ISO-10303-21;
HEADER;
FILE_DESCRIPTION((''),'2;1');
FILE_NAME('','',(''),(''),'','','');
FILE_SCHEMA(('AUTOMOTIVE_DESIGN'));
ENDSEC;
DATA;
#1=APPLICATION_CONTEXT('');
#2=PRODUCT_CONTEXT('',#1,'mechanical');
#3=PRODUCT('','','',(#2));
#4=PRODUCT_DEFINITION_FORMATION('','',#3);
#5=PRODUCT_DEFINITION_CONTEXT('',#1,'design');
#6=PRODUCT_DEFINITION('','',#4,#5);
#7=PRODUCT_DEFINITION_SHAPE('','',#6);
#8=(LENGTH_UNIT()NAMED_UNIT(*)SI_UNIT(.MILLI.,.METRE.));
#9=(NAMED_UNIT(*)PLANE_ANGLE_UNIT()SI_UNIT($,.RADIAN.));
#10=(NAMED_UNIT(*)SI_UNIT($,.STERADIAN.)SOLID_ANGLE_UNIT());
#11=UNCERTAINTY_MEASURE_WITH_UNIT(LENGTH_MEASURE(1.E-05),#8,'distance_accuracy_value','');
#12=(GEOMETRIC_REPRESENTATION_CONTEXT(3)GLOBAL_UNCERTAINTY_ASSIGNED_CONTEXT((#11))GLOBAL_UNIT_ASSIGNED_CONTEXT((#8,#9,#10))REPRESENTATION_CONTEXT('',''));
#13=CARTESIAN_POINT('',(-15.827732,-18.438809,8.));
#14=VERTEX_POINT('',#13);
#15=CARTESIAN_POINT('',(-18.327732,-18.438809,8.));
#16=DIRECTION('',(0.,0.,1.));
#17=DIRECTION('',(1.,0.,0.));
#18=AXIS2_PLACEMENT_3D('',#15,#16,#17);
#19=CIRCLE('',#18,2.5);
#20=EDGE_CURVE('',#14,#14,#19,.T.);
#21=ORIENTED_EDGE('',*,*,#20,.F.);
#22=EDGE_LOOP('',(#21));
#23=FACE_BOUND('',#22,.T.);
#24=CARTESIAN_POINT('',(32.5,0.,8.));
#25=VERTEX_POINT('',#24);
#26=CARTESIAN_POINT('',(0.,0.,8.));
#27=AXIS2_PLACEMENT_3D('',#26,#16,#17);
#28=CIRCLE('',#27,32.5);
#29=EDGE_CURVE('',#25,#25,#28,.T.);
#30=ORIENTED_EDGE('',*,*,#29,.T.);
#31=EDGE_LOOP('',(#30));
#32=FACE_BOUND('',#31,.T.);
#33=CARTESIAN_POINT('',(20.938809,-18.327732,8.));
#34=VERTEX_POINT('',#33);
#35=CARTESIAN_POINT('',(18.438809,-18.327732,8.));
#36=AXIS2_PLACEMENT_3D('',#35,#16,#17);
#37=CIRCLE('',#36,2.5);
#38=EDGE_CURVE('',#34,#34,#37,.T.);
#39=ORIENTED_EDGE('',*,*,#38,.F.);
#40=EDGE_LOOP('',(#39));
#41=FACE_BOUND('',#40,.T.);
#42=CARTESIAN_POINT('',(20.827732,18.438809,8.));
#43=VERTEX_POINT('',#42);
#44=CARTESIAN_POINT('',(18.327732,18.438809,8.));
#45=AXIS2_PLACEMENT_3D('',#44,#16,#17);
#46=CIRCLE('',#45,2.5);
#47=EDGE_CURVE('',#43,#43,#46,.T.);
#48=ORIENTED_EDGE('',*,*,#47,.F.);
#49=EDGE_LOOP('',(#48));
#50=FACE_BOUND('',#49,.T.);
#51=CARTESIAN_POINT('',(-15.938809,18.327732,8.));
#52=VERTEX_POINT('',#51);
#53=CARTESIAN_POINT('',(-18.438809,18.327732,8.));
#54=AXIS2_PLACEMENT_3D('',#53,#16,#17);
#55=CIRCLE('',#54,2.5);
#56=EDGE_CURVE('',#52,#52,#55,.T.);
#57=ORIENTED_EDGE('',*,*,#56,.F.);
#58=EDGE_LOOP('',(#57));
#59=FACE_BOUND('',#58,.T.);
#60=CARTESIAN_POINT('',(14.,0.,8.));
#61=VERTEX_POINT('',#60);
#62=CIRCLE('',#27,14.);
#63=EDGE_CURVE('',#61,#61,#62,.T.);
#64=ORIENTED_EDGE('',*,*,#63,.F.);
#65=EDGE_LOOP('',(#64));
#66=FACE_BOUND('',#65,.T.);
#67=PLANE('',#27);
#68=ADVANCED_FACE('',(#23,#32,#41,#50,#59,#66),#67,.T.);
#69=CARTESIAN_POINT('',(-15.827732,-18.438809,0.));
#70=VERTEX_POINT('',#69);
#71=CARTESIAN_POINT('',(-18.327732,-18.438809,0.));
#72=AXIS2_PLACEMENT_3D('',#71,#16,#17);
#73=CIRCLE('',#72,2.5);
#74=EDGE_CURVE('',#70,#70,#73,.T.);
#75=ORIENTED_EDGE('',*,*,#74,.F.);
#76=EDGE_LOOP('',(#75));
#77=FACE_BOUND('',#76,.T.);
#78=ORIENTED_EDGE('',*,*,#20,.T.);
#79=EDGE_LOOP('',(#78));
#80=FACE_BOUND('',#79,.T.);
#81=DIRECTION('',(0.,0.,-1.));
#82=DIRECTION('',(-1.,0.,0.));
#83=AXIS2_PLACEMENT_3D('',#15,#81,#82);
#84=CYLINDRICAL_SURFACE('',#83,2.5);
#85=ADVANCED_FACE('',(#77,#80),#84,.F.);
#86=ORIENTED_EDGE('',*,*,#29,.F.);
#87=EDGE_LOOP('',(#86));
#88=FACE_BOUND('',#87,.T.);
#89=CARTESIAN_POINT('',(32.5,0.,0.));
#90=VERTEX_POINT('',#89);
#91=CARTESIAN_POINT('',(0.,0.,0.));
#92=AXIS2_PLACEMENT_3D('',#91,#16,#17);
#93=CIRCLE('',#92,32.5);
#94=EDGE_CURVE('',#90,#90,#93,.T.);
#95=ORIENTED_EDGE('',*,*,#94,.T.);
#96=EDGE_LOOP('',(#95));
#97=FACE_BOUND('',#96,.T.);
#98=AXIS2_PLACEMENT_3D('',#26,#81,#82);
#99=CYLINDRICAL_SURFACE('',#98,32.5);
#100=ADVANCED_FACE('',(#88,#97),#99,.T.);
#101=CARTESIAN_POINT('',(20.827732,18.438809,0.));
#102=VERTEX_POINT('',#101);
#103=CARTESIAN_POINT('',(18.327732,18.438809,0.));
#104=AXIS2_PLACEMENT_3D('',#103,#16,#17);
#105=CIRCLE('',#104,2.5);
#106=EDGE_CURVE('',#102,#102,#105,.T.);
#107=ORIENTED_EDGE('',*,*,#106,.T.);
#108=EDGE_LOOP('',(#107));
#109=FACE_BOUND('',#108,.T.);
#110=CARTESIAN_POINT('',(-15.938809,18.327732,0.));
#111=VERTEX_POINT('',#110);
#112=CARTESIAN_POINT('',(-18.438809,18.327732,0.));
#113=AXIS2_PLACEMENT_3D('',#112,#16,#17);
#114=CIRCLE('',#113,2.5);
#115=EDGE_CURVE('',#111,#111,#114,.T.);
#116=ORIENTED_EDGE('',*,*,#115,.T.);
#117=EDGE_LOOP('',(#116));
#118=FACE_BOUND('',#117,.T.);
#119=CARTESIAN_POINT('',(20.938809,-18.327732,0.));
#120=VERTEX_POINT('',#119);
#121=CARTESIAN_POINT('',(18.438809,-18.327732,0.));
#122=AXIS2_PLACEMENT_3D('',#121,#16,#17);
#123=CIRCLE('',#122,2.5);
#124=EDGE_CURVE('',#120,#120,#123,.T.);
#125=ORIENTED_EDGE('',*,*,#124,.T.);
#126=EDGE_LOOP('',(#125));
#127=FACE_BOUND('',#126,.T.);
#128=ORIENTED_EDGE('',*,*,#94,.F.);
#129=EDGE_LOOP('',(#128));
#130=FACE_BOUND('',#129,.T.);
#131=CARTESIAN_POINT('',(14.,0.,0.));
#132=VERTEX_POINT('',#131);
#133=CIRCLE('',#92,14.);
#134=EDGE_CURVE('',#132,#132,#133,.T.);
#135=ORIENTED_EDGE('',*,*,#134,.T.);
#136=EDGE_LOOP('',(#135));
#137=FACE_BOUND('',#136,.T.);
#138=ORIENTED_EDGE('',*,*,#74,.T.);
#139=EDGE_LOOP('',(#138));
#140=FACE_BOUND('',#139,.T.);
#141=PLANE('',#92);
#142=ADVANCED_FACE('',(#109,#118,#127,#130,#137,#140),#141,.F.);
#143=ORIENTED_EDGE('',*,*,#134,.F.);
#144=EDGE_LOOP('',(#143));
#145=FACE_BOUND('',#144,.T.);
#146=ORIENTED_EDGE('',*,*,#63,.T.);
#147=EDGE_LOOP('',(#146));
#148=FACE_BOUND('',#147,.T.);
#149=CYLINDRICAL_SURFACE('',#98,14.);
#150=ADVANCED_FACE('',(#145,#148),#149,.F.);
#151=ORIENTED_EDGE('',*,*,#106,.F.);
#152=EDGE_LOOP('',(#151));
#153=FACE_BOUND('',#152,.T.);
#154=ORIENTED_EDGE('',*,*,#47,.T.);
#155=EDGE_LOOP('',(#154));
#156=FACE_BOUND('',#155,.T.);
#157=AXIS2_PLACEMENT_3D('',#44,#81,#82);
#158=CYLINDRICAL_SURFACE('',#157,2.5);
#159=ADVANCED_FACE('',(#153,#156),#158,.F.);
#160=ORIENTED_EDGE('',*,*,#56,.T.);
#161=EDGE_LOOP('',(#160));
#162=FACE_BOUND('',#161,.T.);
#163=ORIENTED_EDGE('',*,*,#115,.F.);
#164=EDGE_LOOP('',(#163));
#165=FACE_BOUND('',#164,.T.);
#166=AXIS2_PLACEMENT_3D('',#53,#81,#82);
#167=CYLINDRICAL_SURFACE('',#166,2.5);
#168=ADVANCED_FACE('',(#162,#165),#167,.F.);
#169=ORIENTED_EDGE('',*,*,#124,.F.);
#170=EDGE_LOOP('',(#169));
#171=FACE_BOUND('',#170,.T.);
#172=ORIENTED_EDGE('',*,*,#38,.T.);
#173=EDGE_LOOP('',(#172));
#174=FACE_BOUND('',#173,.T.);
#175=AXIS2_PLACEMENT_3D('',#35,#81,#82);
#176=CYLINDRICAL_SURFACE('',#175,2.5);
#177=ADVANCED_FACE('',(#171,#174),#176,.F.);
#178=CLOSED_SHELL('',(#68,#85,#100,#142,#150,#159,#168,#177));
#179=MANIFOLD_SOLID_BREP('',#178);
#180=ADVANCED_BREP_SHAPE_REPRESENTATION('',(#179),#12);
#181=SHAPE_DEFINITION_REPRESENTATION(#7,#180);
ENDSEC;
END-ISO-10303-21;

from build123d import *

# Parameters (mm, degrees)
SKETCH_2_R      = 32.5
SKETCH_2_R_2    = 2.5
SKETCH_2_R_3    = 14
EXTRUDE_2_DEPTH = 8


with BuildPart() as part:
    # Эскиз2 → Вытянуть2 (new body)
    with BuildSketch(Plane.XY):
        Circle(SKETCH_2_R)
        with Locations((-18.438809137, 18.327731563)):
            Circle(SKETCH_2_R_2, mode=Mode.SUBTRACT)
        with Locations((-18.327731563, -18.438809137)):
            Circle(SKETCH_2_R_2, mode=Mode.SUBTRACT)
        with Locations((18.327731563, 18.438809137)):
            Circle(SKETCH_2_R_2, mode=Mode.SUBTRACT)
        with Locations((18.438809137, -18.327731563)):
            Circle(SKETCH_2_R_2, mode=Mode.SUBTRACT)
        Circle(SKETCH_2_R_3, mode=Mode.SUBTRACT)
    extrude(amount=EXTRUDE_2_DEPTH)


solid = part.part
